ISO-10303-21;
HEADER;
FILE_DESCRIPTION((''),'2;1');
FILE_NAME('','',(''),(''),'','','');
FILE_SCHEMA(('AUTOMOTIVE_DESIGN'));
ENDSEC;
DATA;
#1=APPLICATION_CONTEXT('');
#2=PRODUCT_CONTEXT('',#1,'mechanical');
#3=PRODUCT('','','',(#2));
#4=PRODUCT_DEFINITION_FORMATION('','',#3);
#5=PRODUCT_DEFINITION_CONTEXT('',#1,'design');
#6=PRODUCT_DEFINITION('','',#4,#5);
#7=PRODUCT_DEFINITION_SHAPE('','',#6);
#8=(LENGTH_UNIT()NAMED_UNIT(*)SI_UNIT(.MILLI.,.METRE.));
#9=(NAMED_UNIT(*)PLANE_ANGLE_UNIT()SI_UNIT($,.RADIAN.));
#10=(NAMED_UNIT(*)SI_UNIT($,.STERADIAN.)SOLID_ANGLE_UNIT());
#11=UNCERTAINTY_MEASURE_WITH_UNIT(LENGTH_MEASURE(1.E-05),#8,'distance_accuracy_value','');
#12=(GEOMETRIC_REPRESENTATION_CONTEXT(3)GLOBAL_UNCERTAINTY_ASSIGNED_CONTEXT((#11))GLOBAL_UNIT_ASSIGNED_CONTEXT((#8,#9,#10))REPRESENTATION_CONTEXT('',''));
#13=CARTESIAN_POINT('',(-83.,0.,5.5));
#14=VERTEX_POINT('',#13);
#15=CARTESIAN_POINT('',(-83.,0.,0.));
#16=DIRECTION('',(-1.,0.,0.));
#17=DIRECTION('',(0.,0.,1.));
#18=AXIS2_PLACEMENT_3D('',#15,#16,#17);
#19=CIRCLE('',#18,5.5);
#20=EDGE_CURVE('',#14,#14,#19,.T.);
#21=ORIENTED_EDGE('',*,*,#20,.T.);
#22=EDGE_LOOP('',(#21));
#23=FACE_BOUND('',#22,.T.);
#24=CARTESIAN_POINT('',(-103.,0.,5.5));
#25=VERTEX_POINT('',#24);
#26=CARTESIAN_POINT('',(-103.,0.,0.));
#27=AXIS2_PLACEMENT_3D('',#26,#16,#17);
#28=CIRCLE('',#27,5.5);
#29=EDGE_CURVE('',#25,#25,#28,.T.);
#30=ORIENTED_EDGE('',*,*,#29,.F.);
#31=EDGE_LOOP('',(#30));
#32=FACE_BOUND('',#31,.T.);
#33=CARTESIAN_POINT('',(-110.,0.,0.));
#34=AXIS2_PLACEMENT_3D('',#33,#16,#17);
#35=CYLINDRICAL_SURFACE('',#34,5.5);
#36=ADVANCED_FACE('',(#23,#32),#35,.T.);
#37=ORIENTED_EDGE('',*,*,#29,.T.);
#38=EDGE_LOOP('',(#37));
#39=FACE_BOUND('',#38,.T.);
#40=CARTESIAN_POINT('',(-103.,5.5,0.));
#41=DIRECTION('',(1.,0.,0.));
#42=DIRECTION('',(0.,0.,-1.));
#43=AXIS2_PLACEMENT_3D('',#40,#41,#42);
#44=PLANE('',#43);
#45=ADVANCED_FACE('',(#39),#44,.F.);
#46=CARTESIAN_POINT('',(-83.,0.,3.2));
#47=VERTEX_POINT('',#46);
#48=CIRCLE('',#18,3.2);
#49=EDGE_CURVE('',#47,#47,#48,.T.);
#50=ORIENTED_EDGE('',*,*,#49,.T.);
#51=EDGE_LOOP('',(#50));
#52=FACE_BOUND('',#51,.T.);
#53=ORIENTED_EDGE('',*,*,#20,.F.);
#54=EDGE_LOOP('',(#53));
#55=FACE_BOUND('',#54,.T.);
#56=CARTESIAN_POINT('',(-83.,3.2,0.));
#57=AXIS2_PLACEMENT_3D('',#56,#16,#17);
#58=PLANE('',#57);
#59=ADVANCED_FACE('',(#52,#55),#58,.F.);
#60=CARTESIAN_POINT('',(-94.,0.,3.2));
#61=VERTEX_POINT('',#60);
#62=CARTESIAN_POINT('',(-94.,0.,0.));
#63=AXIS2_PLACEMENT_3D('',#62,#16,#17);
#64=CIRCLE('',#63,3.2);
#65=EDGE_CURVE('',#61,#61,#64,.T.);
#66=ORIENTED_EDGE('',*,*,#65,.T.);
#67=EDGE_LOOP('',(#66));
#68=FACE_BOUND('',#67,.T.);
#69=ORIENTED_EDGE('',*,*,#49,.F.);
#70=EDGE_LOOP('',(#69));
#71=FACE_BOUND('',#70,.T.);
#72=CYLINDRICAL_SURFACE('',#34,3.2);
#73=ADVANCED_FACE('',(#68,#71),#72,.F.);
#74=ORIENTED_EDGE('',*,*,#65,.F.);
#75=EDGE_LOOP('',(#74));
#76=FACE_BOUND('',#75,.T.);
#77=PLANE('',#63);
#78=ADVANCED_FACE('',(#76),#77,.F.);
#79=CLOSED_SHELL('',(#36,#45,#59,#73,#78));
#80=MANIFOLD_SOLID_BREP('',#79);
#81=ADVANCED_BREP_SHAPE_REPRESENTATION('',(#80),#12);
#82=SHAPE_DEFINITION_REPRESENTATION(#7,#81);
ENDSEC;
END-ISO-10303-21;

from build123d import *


with BuildPart() as part:
    # Axial profile (mm) → Full revolution (revolve)
    with BuildSketch(Plane.XY, mode=Mode.PRIVATE) as full_revolution_sk:
        Polygon((-103, 0), (-94, 0), (-94, 3.2), (-83, 3.2), (-83, 5.5), (-103, 5.5), align=None)
    revolve(full_revolution_sk.sketch.rotate(Axis((-110, 0, 0), (1, 0, 0)), 90), axis=Axis((-110, 0, 0), (1, 0, 0)))


solid = part.part
